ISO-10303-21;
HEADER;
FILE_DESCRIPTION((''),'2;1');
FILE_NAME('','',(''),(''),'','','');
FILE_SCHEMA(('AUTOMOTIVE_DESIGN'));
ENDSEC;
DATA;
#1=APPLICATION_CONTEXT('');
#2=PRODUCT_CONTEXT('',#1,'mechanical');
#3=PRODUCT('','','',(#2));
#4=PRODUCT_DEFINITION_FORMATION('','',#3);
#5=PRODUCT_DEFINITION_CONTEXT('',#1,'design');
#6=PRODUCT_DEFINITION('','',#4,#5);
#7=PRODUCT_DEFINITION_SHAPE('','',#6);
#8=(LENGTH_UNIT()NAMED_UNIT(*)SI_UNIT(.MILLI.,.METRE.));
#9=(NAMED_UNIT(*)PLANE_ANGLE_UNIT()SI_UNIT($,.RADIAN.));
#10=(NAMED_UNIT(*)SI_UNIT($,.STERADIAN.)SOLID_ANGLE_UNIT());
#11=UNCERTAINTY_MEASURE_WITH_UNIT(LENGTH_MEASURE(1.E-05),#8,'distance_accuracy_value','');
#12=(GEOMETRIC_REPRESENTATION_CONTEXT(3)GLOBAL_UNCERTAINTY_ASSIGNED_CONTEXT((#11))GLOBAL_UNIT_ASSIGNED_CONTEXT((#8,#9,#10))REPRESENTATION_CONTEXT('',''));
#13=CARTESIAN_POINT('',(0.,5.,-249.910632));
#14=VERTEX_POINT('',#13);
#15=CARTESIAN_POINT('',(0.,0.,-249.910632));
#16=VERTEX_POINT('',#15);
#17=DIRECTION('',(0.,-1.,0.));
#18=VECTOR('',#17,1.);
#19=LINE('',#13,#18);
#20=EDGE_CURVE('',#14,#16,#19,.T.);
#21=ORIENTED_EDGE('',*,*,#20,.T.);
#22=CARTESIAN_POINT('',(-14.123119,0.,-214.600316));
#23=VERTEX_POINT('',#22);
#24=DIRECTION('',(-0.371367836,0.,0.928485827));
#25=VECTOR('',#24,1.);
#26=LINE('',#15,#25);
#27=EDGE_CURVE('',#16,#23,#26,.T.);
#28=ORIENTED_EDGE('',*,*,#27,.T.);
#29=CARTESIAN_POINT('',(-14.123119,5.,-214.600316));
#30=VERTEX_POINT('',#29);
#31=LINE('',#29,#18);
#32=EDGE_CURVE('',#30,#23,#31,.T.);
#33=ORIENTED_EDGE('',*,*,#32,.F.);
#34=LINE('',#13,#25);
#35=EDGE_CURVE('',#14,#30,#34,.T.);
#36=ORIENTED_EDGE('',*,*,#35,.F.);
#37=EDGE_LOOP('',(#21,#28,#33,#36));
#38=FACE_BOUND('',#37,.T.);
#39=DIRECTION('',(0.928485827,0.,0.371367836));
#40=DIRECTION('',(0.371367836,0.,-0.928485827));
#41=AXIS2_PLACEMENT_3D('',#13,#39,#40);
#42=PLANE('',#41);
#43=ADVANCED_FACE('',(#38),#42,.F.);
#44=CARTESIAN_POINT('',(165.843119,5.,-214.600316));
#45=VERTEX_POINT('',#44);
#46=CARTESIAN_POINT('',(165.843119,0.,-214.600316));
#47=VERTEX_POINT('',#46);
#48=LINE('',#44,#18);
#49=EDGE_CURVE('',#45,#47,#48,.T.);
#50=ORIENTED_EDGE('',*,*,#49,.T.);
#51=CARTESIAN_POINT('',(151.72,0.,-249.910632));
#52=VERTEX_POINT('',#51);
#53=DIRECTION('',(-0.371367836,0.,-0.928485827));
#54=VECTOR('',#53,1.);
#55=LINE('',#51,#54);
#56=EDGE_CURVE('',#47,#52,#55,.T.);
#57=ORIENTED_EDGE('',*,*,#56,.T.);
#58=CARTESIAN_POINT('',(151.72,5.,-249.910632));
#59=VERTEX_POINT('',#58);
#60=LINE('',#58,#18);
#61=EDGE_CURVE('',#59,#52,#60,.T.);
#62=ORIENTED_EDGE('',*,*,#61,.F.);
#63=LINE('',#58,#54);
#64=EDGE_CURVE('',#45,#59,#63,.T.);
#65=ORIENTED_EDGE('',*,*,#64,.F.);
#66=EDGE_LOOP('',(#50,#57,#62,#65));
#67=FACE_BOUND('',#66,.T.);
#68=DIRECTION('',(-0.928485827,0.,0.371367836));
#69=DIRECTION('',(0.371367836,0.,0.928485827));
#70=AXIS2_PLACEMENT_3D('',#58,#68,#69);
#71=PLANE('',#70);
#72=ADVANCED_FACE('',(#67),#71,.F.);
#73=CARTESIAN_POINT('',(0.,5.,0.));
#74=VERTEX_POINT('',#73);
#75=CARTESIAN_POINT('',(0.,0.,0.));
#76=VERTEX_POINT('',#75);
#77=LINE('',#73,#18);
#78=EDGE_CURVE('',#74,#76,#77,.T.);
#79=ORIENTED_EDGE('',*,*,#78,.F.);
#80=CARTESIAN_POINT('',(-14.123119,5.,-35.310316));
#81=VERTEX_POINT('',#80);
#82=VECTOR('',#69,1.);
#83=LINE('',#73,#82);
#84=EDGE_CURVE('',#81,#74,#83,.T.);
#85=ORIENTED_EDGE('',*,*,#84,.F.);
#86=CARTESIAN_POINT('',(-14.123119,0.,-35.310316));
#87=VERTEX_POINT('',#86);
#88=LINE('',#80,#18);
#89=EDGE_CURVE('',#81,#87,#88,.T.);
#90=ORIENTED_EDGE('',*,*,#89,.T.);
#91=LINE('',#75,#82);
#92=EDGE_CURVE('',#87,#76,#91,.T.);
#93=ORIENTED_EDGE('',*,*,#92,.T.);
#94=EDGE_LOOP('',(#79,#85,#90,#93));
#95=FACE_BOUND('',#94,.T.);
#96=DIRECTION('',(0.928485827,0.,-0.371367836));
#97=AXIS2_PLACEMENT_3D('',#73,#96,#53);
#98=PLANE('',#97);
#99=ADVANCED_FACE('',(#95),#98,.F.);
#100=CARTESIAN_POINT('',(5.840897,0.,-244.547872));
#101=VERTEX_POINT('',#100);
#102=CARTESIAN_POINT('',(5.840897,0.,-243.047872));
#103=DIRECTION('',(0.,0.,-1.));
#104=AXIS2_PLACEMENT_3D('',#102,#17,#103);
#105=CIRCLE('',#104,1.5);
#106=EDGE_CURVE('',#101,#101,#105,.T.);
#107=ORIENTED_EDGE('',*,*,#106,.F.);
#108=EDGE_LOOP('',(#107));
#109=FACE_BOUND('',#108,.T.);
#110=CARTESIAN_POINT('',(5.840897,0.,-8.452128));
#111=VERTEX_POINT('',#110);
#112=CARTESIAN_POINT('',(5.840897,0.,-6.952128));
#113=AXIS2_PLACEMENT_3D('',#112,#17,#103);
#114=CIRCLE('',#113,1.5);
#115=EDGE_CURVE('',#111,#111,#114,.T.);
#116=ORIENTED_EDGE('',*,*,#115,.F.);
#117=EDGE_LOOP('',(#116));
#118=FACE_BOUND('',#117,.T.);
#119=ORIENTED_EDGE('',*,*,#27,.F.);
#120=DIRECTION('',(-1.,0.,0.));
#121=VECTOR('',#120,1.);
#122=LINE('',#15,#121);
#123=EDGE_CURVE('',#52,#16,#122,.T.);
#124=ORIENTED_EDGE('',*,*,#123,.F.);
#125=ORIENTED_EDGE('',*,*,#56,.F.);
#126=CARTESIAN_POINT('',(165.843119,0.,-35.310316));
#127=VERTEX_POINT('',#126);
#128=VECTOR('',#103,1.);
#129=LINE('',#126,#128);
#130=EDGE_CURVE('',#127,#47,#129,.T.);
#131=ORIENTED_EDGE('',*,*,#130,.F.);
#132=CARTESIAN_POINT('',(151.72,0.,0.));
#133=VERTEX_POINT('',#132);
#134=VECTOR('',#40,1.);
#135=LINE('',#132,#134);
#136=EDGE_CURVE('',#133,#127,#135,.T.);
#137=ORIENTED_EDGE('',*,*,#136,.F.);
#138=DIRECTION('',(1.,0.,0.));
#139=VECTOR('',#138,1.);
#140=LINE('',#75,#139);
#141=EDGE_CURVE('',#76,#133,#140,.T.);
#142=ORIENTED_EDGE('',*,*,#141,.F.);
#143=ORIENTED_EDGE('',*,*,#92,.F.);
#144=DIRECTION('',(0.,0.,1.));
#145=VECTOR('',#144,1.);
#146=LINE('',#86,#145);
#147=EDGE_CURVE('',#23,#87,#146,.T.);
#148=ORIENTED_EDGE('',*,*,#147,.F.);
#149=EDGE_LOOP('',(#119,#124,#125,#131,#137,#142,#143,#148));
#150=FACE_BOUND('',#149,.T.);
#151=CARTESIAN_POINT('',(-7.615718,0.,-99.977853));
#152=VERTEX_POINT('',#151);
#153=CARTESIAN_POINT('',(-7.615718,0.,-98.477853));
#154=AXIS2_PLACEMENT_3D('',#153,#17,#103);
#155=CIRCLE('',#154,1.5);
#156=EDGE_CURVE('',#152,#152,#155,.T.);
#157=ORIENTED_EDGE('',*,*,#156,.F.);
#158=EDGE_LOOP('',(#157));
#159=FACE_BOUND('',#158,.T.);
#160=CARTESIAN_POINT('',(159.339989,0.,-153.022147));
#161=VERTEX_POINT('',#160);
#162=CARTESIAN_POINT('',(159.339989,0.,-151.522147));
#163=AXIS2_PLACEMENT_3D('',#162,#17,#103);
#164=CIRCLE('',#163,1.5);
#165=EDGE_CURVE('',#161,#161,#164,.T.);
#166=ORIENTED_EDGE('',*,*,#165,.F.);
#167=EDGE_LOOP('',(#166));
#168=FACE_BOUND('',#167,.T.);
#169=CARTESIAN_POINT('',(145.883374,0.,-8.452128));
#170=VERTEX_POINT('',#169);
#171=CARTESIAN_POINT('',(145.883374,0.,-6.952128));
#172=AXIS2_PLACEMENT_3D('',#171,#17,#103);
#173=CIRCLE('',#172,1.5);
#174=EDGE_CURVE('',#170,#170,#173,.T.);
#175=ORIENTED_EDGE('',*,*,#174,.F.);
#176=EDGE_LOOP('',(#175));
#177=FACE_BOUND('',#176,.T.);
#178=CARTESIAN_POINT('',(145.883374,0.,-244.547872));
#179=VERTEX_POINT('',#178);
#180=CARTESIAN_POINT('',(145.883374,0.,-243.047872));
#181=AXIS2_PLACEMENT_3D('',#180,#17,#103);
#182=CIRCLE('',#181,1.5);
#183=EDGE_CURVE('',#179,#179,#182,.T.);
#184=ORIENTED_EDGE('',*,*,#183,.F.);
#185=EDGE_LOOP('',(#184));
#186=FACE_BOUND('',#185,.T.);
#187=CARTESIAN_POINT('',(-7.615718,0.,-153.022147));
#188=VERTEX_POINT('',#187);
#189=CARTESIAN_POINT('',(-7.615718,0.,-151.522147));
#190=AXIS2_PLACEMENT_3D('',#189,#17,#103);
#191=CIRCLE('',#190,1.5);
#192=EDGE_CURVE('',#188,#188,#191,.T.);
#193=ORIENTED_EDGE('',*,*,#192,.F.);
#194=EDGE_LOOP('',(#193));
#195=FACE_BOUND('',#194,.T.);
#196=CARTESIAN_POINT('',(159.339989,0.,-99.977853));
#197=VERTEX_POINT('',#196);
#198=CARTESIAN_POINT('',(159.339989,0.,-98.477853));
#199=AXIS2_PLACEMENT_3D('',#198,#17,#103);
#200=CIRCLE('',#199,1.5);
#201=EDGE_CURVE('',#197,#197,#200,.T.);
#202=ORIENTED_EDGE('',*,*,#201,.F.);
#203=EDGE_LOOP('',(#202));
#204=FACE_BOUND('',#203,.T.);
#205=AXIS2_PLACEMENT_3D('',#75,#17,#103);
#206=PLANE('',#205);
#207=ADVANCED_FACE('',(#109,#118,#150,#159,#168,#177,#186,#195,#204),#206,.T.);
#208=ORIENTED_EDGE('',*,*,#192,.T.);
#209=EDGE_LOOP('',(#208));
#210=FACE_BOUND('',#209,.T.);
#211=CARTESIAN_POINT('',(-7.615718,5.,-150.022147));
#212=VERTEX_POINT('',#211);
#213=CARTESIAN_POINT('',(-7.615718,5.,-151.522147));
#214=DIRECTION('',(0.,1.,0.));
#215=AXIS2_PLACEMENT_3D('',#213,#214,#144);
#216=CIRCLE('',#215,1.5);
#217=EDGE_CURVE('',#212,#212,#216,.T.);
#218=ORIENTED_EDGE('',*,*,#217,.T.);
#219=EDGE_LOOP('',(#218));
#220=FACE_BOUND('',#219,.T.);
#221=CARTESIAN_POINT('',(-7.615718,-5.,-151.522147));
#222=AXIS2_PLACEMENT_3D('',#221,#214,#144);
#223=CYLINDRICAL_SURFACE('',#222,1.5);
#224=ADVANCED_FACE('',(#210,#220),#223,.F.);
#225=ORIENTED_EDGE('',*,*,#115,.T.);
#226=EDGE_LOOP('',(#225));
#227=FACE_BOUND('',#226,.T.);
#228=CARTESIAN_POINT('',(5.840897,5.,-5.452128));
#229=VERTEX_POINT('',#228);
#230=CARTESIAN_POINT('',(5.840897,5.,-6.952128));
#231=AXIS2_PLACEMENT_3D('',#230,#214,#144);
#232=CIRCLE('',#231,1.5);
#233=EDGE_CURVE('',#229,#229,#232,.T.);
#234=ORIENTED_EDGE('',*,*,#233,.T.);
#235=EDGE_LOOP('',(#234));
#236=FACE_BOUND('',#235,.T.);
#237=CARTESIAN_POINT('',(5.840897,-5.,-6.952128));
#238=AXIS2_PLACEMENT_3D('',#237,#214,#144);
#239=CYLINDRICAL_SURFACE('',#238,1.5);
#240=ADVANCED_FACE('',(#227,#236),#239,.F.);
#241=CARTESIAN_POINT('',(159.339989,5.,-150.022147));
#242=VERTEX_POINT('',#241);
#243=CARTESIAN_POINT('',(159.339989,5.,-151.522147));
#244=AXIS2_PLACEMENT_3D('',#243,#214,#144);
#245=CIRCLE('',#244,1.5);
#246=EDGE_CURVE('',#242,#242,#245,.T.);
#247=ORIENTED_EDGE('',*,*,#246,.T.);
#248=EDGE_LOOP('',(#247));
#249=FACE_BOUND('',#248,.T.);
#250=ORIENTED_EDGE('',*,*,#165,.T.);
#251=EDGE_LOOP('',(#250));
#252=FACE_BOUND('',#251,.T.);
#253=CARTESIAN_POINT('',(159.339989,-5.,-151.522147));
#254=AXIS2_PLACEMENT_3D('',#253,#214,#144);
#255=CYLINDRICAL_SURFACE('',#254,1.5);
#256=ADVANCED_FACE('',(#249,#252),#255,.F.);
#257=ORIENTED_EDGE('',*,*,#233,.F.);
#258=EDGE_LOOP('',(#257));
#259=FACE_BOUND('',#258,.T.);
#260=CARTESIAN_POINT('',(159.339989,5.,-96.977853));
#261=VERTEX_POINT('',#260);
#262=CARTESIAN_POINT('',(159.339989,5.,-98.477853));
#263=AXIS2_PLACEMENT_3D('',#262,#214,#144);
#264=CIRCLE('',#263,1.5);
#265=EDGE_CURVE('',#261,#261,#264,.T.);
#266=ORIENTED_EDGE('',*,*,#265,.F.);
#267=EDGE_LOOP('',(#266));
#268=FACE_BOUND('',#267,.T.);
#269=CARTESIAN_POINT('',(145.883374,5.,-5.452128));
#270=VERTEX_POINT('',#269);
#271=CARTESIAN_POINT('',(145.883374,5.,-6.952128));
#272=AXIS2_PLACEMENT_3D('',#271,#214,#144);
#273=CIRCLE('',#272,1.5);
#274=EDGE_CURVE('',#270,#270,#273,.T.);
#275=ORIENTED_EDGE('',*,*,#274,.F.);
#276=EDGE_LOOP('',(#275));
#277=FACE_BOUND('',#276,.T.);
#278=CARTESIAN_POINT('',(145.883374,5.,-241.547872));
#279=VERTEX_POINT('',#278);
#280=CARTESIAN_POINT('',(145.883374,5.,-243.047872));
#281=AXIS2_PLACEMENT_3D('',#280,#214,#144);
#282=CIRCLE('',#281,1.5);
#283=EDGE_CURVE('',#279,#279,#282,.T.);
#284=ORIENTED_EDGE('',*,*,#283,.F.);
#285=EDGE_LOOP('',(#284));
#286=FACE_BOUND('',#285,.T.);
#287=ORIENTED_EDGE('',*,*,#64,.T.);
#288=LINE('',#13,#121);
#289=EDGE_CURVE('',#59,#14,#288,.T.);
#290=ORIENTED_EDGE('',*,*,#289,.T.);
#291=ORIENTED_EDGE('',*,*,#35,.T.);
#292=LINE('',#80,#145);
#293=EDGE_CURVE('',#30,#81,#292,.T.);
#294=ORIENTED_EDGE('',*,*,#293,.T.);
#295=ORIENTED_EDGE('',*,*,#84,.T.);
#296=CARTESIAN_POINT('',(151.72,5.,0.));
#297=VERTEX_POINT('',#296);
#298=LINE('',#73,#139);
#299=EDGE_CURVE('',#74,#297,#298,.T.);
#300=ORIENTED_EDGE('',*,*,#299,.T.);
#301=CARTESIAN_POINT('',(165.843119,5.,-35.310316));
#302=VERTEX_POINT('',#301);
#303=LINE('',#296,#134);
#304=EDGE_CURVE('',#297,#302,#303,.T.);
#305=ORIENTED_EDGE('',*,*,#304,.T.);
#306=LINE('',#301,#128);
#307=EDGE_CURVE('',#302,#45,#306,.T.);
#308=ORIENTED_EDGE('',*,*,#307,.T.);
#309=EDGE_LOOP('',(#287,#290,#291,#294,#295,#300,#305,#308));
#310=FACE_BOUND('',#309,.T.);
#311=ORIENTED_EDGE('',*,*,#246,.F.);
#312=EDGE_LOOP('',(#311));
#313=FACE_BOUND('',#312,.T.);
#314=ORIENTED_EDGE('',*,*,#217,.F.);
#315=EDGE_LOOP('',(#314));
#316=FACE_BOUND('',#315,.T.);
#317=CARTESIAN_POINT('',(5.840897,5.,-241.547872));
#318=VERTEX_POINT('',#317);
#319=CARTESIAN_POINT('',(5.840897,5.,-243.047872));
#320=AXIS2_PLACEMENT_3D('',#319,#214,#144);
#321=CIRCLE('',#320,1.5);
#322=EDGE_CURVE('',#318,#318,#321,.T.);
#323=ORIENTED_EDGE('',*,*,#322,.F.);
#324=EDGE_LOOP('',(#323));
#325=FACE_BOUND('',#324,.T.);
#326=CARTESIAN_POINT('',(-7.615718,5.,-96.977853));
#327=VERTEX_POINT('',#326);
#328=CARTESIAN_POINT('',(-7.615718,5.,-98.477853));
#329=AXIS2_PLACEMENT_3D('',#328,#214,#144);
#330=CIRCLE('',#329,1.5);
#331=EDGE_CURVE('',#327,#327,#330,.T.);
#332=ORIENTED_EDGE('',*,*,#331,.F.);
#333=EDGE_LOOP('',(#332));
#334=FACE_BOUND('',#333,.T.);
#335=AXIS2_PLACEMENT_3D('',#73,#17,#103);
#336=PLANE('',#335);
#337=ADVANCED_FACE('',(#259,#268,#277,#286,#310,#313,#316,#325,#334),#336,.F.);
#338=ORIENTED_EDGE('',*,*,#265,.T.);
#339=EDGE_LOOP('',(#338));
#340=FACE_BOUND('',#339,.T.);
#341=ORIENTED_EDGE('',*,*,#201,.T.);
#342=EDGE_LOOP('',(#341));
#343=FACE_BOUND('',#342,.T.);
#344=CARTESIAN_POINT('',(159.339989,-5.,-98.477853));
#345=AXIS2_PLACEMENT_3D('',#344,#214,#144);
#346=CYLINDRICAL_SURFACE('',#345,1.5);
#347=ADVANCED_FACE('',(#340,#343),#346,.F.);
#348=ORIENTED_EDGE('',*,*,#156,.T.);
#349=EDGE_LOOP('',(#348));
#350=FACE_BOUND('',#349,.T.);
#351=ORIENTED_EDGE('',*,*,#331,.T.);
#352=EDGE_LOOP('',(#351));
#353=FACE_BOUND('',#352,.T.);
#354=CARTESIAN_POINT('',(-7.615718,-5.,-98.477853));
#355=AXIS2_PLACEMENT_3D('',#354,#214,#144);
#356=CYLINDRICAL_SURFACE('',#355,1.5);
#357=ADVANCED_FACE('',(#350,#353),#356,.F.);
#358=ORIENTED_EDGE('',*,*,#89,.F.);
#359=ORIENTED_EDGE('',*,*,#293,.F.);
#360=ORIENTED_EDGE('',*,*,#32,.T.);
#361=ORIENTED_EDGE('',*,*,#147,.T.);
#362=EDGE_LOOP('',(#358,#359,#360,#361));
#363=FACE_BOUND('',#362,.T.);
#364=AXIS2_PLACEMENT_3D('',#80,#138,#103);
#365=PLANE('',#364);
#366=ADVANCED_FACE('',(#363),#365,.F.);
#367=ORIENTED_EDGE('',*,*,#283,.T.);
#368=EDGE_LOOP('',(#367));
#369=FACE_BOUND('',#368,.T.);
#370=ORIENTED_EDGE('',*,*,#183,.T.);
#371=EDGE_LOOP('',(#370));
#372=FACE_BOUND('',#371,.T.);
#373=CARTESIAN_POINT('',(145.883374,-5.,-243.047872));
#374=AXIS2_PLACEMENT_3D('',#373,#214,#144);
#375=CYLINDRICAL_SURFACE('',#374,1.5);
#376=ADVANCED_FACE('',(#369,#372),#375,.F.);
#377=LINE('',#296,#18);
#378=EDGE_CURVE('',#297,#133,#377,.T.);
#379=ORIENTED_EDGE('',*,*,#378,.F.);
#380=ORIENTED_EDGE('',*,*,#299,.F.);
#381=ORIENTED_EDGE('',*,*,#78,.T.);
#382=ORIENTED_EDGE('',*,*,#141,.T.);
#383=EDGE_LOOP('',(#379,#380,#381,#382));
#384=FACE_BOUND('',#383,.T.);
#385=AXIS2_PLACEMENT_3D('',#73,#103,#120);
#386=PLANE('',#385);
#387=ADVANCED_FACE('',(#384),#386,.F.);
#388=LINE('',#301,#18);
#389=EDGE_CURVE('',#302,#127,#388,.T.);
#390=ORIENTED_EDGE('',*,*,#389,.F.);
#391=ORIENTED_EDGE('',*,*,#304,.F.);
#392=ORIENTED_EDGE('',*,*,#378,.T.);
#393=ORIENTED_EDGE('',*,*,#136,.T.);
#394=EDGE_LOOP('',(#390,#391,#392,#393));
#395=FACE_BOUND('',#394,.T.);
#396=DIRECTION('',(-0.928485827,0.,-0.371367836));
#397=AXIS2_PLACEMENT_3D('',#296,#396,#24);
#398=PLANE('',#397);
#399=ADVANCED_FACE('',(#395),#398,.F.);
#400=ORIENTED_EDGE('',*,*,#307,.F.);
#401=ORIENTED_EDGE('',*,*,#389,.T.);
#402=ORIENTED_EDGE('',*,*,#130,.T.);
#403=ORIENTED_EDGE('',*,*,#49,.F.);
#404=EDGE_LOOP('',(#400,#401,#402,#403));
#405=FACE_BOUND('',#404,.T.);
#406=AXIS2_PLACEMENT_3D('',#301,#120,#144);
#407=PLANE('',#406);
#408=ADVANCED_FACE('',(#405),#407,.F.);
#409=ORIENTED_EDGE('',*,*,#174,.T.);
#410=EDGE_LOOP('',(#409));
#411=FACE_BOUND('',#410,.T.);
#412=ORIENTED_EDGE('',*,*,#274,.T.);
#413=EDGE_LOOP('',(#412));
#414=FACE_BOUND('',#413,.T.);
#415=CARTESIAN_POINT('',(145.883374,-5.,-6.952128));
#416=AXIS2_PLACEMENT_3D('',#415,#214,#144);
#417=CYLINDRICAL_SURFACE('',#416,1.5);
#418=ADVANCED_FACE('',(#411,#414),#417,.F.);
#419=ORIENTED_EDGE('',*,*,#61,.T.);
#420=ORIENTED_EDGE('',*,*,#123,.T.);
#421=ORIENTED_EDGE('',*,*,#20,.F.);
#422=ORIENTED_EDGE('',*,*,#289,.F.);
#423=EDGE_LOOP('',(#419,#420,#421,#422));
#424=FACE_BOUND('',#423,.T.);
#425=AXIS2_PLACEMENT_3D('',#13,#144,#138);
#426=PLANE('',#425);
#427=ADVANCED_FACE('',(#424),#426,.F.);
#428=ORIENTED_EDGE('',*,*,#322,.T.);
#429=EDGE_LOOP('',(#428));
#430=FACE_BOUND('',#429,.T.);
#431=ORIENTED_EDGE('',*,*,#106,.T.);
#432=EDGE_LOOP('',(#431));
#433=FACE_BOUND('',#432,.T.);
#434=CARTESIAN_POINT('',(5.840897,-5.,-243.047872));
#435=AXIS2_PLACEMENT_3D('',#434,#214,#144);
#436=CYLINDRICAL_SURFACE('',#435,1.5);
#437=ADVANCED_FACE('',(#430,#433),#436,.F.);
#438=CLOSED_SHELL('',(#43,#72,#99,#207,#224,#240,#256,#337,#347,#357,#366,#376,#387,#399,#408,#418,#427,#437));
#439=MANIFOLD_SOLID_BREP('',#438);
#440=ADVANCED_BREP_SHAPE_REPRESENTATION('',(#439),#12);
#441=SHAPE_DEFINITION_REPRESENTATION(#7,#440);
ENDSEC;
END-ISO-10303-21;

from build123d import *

# Parameters (mm, degrees)
BOSS_EXTRUDE1_DEPTH = 5
SKETCH2_R           = 1.5
CUT_EXTRUDE1_DEPTH  = 10


with BuildPart() as part:
    # Sketch1 → Boss-Extrude1 (new body)
    with BuildSketch(Plane(origin=(0, 0, 0), x_dir=(1, 0, 0), z_dir=(0, 1, 0))):
        Polygon((0, 0), (151.72, 0), (165.843118786, 35.310315996), (165.843118786, 214.600315996), (151.72, 249.910631993), (0, 249.910631993), (-14.123118786, 214.600315996), (-14.123118786, 35.310315996), align=None)
    extrude(amount=BOSS_EXTRUDE1_DEPTH)

    # Sketch2 → Cut-Extrude1 (cut)
    with BuildSketch(Plane(origin=(0, 5, 0), x_dir=(1, 0, 0), z_dir=(0, 1, 0))):
        with Locations((159.339988978, 98.477853355)):
            Circle(SKETCH2_R)
        with Locations((145.883373815, 6.952127765)):
            Circle(SKETCH2_R)
        with Locations((5.840897433, 6.952127765)):
            Circle(SKETCH2_R)
        with Locations((-7.615717731, 98.477853355)):
            Circle(SKETCH2_R)
        with Locations((-7.615717731, 151.522146645)):
            Circle(SKETCH2_R)
        with Locations((5.840897433, 243.047872235)):
            Circle(SKETCH2_R)
        with Locations((145.883373815, 243.047872235)):
            Circle(SKETCH2_R)
        with Locations((159.339988978, 151.522146645)):
            Circle(SKETCH2_R)
    extrude(amount=-CUT_EXTRUDE1_DEPTH, mode=Mode.SUBTRACT)


solid = part.part
